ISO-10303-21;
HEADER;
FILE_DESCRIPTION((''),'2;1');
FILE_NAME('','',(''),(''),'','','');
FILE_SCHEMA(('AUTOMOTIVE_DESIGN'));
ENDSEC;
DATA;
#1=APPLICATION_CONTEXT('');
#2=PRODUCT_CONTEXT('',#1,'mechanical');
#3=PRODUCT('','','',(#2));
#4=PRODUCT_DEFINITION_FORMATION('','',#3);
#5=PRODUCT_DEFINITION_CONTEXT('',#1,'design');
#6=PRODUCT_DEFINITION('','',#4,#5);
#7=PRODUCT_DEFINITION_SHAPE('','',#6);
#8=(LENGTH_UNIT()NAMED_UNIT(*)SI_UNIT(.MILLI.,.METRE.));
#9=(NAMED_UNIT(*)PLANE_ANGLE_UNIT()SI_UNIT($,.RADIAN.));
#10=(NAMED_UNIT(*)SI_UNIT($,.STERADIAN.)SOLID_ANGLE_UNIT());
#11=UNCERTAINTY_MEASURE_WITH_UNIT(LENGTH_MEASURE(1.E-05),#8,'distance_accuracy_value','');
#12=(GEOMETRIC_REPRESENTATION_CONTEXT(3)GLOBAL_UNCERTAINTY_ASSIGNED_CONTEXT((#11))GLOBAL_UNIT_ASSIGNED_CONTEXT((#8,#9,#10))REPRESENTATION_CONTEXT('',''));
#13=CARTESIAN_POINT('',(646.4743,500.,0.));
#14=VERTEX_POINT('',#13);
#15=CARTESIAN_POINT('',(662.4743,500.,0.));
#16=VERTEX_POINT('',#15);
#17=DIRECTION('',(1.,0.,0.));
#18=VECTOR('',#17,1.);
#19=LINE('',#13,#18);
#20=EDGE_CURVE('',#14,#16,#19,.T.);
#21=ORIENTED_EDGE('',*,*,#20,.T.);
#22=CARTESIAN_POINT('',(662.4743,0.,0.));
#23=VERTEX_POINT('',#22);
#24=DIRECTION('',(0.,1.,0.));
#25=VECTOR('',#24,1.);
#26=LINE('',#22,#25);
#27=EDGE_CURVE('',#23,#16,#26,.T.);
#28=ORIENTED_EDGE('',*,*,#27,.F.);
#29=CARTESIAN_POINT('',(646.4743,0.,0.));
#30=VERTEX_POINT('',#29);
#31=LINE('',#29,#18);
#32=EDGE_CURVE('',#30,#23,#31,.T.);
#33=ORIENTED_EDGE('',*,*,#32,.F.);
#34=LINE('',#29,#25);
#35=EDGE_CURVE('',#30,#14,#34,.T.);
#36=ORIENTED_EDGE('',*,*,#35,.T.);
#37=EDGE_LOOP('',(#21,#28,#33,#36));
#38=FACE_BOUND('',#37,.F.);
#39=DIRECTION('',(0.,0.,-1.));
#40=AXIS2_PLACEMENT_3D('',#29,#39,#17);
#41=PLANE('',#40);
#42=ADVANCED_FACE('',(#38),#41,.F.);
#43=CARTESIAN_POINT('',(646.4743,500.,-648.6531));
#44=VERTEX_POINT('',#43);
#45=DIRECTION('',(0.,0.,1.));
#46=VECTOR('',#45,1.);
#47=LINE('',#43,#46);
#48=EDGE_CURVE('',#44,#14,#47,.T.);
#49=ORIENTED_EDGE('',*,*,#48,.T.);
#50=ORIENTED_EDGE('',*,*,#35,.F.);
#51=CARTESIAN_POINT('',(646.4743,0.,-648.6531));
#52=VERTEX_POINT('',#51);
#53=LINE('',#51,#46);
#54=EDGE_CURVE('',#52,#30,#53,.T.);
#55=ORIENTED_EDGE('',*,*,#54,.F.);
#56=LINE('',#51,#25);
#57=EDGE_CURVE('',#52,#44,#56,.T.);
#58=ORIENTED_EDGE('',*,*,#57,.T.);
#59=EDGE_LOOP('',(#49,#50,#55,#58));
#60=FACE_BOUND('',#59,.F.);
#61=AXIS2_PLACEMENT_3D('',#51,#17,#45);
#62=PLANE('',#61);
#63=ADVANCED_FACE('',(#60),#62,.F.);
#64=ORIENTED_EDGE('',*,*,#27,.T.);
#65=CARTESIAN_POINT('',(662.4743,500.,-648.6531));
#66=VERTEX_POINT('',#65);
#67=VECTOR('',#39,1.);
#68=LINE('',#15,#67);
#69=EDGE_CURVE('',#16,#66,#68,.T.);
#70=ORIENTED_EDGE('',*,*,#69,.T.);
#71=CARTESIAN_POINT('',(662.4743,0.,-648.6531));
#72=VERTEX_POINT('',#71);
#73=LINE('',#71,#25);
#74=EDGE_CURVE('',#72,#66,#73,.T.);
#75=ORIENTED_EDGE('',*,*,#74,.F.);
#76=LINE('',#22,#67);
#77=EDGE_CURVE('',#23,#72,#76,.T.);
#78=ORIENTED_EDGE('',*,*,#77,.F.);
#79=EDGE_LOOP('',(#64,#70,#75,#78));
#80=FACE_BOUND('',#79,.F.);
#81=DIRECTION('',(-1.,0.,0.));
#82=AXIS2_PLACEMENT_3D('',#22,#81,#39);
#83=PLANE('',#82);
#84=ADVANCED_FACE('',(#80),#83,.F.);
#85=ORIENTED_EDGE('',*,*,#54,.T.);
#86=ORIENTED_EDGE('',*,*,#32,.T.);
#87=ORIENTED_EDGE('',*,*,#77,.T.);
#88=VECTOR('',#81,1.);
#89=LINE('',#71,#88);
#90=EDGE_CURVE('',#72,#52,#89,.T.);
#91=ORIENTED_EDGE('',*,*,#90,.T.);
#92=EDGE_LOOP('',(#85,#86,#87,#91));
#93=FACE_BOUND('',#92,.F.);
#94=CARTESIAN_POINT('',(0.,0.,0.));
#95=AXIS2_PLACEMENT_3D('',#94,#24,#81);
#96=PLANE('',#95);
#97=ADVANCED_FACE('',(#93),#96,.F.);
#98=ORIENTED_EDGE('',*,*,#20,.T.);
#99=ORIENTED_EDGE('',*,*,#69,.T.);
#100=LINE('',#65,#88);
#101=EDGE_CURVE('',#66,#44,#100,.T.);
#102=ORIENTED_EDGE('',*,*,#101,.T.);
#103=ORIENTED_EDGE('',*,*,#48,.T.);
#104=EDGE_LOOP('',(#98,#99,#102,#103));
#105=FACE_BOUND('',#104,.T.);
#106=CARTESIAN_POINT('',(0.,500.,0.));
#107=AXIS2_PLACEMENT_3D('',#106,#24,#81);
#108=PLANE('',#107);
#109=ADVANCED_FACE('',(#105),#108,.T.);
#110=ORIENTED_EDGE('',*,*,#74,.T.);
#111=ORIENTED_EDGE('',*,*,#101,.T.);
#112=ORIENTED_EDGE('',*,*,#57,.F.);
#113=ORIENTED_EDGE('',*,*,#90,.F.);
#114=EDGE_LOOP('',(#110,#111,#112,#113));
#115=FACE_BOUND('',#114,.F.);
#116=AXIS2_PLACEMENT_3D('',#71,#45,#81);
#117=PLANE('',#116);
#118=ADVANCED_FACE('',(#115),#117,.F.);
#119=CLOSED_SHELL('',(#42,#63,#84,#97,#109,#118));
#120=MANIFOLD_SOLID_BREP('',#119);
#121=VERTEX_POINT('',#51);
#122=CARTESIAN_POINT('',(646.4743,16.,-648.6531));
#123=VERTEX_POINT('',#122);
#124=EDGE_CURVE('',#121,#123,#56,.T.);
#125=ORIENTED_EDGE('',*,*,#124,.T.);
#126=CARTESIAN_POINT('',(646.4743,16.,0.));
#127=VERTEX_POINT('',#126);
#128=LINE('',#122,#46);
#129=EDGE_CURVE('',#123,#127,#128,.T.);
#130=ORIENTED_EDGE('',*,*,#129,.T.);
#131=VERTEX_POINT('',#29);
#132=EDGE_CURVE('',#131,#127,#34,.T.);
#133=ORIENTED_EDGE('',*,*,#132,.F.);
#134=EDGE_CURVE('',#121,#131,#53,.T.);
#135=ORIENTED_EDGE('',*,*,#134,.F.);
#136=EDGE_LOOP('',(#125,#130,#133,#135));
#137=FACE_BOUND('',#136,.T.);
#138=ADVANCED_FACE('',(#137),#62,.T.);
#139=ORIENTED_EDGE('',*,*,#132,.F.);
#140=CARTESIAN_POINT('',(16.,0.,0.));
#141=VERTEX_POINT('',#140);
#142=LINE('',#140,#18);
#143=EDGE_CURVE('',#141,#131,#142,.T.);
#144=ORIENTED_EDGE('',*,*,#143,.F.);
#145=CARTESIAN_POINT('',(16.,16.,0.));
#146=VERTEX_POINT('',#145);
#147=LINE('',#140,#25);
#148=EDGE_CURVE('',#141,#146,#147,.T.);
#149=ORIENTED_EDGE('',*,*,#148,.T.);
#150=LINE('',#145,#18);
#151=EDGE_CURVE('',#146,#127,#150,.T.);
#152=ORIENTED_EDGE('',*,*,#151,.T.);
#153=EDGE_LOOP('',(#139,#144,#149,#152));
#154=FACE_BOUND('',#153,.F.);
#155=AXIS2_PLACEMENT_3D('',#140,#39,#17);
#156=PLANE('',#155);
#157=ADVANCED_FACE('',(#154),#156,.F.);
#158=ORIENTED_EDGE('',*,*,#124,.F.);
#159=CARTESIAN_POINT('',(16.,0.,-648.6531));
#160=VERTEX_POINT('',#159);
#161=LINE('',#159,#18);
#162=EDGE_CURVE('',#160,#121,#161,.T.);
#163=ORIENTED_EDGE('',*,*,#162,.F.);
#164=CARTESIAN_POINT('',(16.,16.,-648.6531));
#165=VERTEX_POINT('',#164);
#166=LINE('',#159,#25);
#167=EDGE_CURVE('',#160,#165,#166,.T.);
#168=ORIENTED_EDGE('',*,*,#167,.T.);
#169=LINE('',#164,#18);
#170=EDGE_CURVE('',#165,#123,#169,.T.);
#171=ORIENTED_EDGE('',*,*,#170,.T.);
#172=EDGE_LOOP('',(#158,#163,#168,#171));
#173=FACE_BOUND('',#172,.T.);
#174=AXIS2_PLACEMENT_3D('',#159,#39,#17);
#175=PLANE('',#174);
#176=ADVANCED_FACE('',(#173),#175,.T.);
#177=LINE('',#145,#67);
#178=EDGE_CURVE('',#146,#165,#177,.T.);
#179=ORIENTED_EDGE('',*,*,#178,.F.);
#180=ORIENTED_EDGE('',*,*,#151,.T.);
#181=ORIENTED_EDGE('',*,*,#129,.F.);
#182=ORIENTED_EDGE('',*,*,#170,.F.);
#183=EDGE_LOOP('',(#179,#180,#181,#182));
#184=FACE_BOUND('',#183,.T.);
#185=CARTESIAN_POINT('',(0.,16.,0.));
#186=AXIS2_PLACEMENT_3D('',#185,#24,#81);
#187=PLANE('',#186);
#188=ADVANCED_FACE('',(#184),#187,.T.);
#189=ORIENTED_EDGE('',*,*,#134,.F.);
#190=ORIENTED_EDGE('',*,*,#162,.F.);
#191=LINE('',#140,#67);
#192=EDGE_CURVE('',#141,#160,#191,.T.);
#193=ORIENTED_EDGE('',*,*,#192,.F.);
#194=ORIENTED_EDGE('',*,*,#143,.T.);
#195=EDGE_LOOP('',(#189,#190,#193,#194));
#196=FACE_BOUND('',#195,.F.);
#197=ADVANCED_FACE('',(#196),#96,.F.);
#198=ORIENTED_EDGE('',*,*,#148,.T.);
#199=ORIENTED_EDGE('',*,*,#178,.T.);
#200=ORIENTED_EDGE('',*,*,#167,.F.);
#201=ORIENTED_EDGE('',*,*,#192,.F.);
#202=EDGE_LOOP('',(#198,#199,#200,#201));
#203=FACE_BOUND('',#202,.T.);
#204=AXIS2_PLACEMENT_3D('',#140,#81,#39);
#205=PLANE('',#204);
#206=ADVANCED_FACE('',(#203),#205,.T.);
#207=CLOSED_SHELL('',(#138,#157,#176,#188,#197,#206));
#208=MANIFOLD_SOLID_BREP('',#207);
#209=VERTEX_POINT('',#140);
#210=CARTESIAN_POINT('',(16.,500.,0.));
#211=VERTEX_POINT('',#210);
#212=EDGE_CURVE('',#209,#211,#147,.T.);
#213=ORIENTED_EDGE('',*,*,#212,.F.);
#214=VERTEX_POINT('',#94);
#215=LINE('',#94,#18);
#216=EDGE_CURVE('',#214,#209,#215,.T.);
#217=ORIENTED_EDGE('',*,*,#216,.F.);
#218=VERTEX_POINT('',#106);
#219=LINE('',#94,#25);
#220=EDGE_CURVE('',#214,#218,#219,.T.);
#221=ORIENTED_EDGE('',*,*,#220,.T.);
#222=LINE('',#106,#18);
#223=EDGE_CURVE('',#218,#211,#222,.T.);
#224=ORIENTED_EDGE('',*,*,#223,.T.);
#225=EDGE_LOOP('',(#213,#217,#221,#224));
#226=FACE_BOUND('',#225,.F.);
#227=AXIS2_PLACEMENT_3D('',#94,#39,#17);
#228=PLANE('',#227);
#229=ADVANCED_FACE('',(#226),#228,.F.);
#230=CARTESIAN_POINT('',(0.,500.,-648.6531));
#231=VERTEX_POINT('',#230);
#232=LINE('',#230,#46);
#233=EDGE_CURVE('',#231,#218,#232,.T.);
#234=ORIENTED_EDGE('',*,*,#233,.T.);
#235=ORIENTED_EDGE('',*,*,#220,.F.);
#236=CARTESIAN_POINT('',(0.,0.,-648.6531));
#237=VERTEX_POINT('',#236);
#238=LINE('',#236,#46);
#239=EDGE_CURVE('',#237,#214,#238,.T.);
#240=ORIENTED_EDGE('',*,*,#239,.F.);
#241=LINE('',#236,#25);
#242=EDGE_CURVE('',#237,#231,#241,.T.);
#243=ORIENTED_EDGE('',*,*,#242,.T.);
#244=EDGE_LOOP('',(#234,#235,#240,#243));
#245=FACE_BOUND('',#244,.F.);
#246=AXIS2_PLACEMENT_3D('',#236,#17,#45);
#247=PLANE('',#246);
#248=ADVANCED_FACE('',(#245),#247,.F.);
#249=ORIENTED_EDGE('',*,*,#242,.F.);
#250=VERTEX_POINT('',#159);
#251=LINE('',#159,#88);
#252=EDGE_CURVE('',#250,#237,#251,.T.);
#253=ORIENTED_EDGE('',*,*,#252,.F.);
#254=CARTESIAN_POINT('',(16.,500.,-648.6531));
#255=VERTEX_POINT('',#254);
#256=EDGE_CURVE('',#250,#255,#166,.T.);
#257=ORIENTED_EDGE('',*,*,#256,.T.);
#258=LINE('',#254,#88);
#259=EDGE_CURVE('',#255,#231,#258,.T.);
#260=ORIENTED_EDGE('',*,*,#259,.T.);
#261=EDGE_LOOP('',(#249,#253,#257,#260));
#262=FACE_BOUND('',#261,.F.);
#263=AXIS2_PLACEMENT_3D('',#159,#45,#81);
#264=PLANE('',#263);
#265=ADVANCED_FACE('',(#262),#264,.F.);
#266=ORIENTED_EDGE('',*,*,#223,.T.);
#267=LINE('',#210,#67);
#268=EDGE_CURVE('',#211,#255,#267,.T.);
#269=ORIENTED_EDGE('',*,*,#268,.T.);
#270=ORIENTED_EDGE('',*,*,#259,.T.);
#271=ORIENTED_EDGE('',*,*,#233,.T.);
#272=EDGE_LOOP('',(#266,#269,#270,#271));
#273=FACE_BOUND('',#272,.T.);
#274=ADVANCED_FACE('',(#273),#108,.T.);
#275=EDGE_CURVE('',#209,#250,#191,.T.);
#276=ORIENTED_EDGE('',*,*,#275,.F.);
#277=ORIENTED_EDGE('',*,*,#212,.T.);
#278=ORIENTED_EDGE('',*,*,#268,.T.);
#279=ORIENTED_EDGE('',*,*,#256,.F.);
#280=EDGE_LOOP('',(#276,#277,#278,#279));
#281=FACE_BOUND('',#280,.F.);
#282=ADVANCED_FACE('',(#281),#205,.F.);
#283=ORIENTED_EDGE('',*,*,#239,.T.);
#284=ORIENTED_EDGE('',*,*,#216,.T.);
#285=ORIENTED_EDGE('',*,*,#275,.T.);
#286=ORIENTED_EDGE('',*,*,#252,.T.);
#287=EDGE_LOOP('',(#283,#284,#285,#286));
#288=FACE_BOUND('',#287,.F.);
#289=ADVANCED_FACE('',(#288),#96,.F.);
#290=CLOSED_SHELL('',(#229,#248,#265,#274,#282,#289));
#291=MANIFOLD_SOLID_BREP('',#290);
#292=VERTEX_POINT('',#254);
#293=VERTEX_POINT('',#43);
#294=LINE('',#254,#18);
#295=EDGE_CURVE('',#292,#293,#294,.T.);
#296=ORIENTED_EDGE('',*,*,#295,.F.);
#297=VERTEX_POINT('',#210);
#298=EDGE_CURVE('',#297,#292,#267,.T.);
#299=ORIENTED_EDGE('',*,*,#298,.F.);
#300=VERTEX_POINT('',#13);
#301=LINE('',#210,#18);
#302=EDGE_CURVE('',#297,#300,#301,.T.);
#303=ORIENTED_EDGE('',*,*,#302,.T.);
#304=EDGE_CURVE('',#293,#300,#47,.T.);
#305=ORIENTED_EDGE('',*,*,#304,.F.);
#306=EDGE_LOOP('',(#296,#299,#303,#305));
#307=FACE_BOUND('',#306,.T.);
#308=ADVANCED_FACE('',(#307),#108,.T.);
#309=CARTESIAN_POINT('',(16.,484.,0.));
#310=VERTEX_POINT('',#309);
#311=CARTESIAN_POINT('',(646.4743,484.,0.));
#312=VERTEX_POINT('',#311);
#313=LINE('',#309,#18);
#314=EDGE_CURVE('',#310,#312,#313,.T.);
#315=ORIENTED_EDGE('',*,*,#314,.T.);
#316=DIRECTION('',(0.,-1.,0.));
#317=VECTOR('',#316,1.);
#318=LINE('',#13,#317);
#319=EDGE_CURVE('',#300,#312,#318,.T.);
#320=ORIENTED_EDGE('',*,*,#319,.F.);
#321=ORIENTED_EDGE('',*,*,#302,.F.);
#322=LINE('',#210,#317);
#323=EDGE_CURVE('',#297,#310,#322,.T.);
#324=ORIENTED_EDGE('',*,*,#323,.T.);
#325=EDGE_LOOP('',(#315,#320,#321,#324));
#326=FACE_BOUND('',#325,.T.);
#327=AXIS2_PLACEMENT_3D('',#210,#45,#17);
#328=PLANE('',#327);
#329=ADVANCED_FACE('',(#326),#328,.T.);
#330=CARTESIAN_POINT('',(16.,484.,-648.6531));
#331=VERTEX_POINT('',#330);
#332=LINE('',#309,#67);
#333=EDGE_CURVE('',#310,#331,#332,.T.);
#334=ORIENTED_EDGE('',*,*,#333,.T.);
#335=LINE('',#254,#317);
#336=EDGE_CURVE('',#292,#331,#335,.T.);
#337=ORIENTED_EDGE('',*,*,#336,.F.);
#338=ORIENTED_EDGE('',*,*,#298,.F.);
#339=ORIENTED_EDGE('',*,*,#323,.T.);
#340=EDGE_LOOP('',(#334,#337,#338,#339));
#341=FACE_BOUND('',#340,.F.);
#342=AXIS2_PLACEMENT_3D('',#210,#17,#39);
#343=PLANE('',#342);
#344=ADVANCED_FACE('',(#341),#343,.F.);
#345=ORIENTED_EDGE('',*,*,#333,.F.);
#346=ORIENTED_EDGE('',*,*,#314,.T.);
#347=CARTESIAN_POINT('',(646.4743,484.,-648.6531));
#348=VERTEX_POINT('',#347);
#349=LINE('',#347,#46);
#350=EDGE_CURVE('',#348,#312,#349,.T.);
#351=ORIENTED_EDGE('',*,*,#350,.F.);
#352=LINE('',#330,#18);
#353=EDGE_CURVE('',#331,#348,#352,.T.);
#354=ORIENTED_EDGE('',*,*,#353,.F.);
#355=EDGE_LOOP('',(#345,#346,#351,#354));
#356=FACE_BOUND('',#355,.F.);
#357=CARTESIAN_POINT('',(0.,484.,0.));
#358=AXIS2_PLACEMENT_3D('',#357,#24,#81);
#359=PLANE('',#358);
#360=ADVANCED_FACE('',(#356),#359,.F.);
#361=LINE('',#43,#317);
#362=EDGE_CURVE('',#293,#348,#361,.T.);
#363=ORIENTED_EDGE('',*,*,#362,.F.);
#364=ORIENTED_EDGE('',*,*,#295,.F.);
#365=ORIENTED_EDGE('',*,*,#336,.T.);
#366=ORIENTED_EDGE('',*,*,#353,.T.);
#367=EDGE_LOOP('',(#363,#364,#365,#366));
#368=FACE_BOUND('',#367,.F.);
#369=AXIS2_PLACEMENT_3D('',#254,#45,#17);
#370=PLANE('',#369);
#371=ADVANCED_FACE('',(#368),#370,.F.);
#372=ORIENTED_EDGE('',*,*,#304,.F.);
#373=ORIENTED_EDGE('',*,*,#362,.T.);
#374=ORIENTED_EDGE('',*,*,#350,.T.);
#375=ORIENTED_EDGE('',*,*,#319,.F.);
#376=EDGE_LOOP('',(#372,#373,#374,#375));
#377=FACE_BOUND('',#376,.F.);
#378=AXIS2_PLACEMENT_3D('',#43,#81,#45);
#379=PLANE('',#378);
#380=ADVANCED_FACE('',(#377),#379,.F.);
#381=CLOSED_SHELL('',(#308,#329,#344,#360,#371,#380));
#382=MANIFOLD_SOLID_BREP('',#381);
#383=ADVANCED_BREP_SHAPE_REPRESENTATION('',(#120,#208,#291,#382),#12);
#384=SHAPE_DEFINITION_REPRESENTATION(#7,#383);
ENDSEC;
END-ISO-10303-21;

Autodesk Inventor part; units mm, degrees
ref_plane "YZ Plane" through (0, 0, 0) normal (1, 0, 0) x (0, 1, 0)
ref_plane "XZ Plane" through (0, 0, 0) normal (0, 1, 0) x (-1, 0, 0)
ref_plane "XY Plane" through (0, 0, 0) normal (0, 0, 1) x (1, 0, 0)
sketch "Эскиз1" plane through (0, 0, 0) normal (0, 1, 0) x (-1, 0, 0)
  line L0 (0, 0) -> (-16, 0)
  line L1 (-16, 0) -> (-16, -648.6531)
  line L2 (-16, -648.6531) -> (0, -648.6531)
  line L3 (0, -648.6531) -> (0, 0)
  line L4 (-646.4743, 0) -> (-662.4743, 0)
  line L5 (-662.4743, 0) -> (-662.4743, -648.6531)
  line L6 (-662.4743, -648.6531) -> (-646.4743, -648.6531)
  line L7 (-646.4743, -648.6531) -> (-646.4743, 0)
  line L8 (-16, -648.6531) -> (-646.4743, -648.6531)
  line L9 (-16, 0) -> (-646.4743, 0)
  dimension "d0" = 16
  dimension "d1" = 16
  dimension "d46" = 648.653
  dimension "d47" = 662.474
extrude "Выдавливание1" add sketch "Эскиз1" along normal blind 500 contours L3 L2 L1 L0
extrude "Выдавливание2" add sketch "Эскиз1" against normal blind 16 from surface at 500 separate body contours L1 L8 L7 L9
extrude "Выдавливание3" add sketch "Эскиз1" along normal blind 16 separate body contours L1 L8 L7 L9
extrude "Выдавливание4" add sketch "Эскиз1" along normal up to surface (500 mm away) separate body contours L7 L6 L5 L4
equation "\"d0\" = Толщина_каркаса"
equation "\"d1\" = Толщина_каркаса"
equation "\"d5\" = Толщина_каркаса"
equation "\"d7\" = Толщина_каркаса"
equation "\"Толщина_каркаса\" = 16"
equation "\"Стяжка_D\" = 15"
equation "\"Стяжка_h\" = 12.5"
equation "\"Стяжка_D_резьбыШтока\" = 5"
equation "\"Стяжка_D_телаШтока\" = 8"
equation "\"Стяжка_резьбыШтока_Петля_h\" = 12.5"
equation "\"Стяжка_отступ\" = 34"
equation "\"Конфирмат_D_вПласть\" = 8"
equation "\"Конфирмат_D_вТорец\" = 5"
equation "\"Толщина_каркаса_ящика\" = 16"
equation "\"Шкант_D\" = 8"
equation "\"Полкодержатель_D\" = 5"
equation "\"Полкодержатель_смещение_от_низа_полки\" = 5"
equation "\"Петля_D_присадки\" = 35"
equation "\"M_Конфирмат_глубина_резьбы\" = 35"
equation "\"M_Конфирмат_D_вПласть\" = 5"
equation "\"M_Конфирмат_D_вТорец\" = 3"
equation "\"Толщина_задн_ст_Володя\" = 3"
equation "\"Толщина_дна_ящика_Володя\" = 6"
equation "\"Минимальное_расстояния_от_заднСт_ящика_до_заднСт\" = 25"
equation "\"Западание_кромки_полки_за_каркас\" = 5"
equation "\"Стяжкаh_резьбаШтока_Петля_\" = 13"
equation "\"Keep_Excel_Params\" = 106"
equation "\"Стяжкаh_резьбаШтока_Петля\" = 13"
